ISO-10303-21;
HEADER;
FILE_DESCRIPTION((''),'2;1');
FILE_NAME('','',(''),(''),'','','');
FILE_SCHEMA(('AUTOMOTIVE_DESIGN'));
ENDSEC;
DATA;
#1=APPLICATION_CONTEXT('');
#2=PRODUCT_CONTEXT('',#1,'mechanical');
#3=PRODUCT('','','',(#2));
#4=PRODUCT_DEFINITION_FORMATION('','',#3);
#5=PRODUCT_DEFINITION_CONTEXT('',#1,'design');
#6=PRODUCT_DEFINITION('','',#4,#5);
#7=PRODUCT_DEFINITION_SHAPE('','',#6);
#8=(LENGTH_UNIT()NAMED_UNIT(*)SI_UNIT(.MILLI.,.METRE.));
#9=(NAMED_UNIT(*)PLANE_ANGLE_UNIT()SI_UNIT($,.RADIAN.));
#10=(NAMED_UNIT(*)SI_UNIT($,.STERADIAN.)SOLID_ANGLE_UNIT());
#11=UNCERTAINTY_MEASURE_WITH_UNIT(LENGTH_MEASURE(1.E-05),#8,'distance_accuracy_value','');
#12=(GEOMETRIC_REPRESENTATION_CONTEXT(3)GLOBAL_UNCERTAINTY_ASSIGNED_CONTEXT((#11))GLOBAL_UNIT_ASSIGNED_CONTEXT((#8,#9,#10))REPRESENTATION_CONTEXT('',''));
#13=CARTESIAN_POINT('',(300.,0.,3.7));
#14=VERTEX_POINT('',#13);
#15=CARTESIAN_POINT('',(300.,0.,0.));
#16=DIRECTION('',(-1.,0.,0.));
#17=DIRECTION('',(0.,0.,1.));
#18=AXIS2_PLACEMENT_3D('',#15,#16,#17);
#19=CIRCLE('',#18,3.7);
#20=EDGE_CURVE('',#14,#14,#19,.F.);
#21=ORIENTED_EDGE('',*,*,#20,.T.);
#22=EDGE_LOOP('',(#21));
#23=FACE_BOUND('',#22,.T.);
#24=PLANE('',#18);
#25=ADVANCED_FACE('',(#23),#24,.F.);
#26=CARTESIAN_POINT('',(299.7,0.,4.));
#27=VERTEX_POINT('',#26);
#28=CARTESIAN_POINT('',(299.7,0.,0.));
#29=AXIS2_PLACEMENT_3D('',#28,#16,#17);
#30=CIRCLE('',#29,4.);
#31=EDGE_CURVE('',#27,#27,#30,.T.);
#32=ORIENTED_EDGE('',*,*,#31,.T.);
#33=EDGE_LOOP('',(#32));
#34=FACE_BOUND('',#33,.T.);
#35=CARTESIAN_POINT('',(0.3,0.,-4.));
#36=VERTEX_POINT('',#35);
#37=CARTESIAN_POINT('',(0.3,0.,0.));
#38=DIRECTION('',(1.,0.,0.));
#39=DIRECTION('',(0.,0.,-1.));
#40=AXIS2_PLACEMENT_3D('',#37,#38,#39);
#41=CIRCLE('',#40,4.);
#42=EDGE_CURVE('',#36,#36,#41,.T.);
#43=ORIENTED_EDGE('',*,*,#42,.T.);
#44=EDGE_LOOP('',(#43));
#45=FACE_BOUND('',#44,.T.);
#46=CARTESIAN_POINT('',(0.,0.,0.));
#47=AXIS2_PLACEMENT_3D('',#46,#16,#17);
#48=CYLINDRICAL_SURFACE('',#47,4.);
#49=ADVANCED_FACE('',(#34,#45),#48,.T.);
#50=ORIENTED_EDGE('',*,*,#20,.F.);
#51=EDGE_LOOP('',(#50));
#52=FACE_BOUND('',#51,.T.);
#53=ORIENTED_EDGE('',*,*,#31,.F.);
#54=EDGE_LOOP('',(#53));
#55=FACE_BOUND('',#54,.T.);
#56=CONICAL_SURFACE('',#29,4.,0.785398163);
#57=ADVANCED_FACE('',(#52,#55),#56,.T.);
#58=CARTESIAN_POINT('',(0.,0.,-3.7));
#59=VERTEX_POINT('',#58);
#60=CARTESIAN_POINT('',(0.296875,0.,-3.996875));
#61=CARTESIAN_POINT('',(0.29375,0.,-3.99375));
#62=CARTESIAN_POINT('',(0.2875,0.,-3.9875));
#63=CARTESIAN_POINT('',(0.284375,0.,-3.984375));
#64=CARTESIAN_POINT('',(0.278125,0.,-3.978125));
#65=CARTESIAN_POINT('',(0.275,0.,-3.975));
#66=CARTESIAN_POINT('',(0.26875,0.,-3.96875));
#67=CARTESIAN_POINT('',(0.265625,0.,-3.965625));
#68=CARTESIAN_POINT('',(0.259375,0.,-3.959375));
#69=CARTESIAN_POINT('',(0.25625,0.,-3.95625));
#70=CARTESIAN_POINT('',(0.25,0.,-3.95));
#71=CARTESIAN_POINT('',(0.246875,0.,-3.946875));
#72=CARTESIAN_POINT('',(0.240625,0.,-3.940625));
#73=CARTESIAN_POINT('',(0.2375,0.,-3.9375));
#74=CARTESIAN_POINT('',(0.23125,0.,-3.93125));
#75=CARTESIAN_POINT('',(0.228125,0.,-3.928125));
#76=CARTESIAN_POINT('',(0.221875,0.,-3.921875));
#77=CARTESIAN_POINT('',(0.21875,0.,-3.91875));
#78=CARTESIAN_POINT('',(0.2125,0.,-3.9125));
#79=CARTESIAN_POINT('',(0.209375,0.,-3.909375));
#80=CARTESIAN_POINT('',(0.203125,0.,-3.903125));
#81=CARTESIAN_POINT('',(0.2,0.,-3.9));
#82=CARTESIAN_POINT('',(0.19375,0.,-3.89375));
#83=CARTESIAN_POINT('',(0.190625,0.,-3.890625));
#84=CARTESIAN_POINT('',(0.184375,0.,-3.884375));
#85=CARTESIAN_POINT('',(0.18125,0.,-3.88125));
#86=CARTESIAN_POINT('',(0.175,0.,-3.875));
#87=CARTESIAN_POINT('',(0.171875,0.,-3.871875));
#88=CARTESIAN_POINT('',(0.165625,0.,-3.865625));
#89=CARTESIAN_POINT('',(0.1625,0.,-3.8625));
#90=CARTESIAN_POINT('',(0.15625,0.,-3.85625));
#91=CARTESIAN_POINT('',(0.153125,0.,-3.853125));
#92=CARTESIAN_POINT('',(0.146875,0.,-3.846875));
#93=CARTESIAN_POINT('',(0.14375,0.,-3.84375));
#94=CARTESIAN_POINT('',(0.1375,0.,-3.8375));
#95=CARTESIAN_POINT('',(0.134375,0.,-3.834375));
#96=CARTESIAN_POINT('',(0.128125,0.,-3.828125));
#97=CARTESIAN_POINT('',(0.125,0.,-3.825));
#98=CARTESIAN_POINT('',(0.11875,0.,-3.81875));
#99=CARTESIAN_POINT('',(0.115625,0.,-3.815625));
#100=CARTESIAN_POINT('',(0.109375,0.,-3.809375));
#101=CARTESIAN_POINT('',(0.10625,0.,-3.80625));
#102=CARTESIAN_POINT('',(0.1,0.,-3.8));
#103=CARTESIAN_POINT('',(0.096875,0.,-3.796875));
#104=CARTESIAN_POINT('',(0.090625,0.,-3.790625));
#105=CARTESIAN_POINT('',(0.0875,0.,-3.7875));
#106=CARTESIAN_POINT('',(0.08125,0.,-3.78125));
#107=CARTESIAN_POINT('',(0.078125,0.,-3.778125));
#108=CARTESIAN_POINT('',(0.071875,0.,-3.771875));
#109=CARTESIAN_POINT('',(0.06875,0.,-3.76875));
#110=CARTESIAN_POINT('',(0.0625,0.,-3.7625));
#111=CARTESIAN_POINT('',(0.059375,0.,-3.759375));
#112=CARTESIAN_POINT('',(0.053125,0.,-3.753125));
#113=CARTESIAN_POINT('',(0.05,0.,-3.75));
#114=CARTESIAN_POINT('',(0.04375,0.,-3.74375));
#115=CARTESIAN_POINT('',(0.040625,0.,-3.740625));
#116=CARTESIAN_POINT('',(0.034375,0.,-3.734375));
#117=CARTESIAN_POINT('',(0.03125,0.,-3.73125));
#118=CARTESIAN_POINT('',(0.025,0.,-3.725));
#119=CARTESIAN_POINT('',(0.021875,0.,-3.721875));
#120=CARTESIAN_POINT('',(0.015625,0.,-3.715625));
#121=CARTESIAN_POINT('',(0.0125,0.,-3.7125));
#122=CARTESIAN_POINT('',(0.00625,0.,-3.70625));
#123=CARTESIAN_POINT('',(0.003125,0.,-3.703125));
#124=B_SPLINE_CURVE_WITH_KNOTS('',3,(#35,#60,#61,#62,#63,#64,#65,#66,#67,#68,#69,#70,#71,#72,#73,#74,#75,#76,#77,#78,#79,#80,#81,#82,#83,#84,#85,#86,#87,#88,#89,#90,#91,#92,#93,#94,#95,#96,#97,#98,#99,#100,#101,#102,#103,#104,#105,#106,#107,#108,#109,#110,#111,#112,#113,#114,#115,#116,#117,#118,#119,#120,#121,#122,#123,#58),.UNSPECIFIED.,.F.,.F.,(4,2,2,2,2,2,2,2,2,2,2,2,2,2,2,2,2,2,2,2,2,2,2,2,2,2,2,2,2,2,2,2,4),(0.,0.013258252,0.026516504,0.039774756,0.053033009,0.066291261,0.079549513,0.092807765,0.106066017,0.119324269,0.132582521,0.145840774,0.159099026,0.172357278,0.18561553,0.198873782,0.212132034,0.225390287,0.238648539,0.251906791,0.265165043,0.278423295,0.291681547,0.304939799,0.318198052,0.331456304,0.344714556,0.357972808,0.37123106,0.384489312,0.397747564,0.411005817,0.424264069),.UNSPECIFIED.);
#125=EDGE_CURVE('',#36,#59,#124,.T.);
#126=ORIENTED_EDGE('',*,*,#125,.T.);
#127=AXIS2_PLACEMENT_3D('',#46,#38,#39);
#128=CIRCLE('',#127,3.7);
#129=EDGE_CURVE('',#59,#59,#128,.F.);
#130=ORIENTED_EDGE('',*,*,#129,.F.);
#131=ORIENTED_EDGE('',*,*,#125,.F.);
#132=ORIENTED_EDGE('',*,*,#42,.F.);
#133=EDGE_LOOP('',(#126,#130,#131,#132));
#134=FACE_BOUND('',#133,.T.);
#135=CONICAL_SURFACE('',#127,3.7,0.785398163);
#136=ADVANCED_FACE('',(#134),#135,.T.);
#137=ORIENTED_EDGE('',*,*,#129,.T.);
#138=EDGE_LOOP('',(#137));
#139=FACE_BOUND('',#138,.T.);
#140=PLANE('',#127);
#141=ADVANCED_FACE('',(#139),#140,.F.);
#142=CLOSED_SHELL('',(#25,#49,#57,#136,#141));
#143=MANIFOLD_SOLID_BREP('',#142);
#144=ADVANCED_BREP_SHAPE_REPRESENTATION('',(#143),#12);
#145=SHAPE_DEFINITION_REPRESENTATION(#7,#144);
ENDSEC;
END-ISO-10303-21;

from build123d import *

# Parameters (mm, degrees)
SKETCH1_W     = 300
SKETCH1_H     = 4
CHAMFER1_SIZE = 0.3


with BuildPart() as part:
    # Sketch1 → Revolve1 (revolve)
    with BuildSketch(Plane.XY, mode=Mode.PRIVATE) as revolve1_sk:
        with Locations((150, 2)):
            Rectangle(SKETCH1_W, SKETCH1_H)
    revolve(revolve1_sk.sketch.rotate(Axis((0, 0, 0), (1, 0, 0)), 90), axis=Axis((0, 0, 0), (1, 0, 0)))

    # Chamfer1
    chamfer1_edges = [part.edges().sort_by_distance(p)[0] for p in [
        (300, 0, -4),
        (0, 0, -4),
    ]]
    chamfer(chamfer1_edges, length=CHAMFER1_SIZE)


solid = part.part
